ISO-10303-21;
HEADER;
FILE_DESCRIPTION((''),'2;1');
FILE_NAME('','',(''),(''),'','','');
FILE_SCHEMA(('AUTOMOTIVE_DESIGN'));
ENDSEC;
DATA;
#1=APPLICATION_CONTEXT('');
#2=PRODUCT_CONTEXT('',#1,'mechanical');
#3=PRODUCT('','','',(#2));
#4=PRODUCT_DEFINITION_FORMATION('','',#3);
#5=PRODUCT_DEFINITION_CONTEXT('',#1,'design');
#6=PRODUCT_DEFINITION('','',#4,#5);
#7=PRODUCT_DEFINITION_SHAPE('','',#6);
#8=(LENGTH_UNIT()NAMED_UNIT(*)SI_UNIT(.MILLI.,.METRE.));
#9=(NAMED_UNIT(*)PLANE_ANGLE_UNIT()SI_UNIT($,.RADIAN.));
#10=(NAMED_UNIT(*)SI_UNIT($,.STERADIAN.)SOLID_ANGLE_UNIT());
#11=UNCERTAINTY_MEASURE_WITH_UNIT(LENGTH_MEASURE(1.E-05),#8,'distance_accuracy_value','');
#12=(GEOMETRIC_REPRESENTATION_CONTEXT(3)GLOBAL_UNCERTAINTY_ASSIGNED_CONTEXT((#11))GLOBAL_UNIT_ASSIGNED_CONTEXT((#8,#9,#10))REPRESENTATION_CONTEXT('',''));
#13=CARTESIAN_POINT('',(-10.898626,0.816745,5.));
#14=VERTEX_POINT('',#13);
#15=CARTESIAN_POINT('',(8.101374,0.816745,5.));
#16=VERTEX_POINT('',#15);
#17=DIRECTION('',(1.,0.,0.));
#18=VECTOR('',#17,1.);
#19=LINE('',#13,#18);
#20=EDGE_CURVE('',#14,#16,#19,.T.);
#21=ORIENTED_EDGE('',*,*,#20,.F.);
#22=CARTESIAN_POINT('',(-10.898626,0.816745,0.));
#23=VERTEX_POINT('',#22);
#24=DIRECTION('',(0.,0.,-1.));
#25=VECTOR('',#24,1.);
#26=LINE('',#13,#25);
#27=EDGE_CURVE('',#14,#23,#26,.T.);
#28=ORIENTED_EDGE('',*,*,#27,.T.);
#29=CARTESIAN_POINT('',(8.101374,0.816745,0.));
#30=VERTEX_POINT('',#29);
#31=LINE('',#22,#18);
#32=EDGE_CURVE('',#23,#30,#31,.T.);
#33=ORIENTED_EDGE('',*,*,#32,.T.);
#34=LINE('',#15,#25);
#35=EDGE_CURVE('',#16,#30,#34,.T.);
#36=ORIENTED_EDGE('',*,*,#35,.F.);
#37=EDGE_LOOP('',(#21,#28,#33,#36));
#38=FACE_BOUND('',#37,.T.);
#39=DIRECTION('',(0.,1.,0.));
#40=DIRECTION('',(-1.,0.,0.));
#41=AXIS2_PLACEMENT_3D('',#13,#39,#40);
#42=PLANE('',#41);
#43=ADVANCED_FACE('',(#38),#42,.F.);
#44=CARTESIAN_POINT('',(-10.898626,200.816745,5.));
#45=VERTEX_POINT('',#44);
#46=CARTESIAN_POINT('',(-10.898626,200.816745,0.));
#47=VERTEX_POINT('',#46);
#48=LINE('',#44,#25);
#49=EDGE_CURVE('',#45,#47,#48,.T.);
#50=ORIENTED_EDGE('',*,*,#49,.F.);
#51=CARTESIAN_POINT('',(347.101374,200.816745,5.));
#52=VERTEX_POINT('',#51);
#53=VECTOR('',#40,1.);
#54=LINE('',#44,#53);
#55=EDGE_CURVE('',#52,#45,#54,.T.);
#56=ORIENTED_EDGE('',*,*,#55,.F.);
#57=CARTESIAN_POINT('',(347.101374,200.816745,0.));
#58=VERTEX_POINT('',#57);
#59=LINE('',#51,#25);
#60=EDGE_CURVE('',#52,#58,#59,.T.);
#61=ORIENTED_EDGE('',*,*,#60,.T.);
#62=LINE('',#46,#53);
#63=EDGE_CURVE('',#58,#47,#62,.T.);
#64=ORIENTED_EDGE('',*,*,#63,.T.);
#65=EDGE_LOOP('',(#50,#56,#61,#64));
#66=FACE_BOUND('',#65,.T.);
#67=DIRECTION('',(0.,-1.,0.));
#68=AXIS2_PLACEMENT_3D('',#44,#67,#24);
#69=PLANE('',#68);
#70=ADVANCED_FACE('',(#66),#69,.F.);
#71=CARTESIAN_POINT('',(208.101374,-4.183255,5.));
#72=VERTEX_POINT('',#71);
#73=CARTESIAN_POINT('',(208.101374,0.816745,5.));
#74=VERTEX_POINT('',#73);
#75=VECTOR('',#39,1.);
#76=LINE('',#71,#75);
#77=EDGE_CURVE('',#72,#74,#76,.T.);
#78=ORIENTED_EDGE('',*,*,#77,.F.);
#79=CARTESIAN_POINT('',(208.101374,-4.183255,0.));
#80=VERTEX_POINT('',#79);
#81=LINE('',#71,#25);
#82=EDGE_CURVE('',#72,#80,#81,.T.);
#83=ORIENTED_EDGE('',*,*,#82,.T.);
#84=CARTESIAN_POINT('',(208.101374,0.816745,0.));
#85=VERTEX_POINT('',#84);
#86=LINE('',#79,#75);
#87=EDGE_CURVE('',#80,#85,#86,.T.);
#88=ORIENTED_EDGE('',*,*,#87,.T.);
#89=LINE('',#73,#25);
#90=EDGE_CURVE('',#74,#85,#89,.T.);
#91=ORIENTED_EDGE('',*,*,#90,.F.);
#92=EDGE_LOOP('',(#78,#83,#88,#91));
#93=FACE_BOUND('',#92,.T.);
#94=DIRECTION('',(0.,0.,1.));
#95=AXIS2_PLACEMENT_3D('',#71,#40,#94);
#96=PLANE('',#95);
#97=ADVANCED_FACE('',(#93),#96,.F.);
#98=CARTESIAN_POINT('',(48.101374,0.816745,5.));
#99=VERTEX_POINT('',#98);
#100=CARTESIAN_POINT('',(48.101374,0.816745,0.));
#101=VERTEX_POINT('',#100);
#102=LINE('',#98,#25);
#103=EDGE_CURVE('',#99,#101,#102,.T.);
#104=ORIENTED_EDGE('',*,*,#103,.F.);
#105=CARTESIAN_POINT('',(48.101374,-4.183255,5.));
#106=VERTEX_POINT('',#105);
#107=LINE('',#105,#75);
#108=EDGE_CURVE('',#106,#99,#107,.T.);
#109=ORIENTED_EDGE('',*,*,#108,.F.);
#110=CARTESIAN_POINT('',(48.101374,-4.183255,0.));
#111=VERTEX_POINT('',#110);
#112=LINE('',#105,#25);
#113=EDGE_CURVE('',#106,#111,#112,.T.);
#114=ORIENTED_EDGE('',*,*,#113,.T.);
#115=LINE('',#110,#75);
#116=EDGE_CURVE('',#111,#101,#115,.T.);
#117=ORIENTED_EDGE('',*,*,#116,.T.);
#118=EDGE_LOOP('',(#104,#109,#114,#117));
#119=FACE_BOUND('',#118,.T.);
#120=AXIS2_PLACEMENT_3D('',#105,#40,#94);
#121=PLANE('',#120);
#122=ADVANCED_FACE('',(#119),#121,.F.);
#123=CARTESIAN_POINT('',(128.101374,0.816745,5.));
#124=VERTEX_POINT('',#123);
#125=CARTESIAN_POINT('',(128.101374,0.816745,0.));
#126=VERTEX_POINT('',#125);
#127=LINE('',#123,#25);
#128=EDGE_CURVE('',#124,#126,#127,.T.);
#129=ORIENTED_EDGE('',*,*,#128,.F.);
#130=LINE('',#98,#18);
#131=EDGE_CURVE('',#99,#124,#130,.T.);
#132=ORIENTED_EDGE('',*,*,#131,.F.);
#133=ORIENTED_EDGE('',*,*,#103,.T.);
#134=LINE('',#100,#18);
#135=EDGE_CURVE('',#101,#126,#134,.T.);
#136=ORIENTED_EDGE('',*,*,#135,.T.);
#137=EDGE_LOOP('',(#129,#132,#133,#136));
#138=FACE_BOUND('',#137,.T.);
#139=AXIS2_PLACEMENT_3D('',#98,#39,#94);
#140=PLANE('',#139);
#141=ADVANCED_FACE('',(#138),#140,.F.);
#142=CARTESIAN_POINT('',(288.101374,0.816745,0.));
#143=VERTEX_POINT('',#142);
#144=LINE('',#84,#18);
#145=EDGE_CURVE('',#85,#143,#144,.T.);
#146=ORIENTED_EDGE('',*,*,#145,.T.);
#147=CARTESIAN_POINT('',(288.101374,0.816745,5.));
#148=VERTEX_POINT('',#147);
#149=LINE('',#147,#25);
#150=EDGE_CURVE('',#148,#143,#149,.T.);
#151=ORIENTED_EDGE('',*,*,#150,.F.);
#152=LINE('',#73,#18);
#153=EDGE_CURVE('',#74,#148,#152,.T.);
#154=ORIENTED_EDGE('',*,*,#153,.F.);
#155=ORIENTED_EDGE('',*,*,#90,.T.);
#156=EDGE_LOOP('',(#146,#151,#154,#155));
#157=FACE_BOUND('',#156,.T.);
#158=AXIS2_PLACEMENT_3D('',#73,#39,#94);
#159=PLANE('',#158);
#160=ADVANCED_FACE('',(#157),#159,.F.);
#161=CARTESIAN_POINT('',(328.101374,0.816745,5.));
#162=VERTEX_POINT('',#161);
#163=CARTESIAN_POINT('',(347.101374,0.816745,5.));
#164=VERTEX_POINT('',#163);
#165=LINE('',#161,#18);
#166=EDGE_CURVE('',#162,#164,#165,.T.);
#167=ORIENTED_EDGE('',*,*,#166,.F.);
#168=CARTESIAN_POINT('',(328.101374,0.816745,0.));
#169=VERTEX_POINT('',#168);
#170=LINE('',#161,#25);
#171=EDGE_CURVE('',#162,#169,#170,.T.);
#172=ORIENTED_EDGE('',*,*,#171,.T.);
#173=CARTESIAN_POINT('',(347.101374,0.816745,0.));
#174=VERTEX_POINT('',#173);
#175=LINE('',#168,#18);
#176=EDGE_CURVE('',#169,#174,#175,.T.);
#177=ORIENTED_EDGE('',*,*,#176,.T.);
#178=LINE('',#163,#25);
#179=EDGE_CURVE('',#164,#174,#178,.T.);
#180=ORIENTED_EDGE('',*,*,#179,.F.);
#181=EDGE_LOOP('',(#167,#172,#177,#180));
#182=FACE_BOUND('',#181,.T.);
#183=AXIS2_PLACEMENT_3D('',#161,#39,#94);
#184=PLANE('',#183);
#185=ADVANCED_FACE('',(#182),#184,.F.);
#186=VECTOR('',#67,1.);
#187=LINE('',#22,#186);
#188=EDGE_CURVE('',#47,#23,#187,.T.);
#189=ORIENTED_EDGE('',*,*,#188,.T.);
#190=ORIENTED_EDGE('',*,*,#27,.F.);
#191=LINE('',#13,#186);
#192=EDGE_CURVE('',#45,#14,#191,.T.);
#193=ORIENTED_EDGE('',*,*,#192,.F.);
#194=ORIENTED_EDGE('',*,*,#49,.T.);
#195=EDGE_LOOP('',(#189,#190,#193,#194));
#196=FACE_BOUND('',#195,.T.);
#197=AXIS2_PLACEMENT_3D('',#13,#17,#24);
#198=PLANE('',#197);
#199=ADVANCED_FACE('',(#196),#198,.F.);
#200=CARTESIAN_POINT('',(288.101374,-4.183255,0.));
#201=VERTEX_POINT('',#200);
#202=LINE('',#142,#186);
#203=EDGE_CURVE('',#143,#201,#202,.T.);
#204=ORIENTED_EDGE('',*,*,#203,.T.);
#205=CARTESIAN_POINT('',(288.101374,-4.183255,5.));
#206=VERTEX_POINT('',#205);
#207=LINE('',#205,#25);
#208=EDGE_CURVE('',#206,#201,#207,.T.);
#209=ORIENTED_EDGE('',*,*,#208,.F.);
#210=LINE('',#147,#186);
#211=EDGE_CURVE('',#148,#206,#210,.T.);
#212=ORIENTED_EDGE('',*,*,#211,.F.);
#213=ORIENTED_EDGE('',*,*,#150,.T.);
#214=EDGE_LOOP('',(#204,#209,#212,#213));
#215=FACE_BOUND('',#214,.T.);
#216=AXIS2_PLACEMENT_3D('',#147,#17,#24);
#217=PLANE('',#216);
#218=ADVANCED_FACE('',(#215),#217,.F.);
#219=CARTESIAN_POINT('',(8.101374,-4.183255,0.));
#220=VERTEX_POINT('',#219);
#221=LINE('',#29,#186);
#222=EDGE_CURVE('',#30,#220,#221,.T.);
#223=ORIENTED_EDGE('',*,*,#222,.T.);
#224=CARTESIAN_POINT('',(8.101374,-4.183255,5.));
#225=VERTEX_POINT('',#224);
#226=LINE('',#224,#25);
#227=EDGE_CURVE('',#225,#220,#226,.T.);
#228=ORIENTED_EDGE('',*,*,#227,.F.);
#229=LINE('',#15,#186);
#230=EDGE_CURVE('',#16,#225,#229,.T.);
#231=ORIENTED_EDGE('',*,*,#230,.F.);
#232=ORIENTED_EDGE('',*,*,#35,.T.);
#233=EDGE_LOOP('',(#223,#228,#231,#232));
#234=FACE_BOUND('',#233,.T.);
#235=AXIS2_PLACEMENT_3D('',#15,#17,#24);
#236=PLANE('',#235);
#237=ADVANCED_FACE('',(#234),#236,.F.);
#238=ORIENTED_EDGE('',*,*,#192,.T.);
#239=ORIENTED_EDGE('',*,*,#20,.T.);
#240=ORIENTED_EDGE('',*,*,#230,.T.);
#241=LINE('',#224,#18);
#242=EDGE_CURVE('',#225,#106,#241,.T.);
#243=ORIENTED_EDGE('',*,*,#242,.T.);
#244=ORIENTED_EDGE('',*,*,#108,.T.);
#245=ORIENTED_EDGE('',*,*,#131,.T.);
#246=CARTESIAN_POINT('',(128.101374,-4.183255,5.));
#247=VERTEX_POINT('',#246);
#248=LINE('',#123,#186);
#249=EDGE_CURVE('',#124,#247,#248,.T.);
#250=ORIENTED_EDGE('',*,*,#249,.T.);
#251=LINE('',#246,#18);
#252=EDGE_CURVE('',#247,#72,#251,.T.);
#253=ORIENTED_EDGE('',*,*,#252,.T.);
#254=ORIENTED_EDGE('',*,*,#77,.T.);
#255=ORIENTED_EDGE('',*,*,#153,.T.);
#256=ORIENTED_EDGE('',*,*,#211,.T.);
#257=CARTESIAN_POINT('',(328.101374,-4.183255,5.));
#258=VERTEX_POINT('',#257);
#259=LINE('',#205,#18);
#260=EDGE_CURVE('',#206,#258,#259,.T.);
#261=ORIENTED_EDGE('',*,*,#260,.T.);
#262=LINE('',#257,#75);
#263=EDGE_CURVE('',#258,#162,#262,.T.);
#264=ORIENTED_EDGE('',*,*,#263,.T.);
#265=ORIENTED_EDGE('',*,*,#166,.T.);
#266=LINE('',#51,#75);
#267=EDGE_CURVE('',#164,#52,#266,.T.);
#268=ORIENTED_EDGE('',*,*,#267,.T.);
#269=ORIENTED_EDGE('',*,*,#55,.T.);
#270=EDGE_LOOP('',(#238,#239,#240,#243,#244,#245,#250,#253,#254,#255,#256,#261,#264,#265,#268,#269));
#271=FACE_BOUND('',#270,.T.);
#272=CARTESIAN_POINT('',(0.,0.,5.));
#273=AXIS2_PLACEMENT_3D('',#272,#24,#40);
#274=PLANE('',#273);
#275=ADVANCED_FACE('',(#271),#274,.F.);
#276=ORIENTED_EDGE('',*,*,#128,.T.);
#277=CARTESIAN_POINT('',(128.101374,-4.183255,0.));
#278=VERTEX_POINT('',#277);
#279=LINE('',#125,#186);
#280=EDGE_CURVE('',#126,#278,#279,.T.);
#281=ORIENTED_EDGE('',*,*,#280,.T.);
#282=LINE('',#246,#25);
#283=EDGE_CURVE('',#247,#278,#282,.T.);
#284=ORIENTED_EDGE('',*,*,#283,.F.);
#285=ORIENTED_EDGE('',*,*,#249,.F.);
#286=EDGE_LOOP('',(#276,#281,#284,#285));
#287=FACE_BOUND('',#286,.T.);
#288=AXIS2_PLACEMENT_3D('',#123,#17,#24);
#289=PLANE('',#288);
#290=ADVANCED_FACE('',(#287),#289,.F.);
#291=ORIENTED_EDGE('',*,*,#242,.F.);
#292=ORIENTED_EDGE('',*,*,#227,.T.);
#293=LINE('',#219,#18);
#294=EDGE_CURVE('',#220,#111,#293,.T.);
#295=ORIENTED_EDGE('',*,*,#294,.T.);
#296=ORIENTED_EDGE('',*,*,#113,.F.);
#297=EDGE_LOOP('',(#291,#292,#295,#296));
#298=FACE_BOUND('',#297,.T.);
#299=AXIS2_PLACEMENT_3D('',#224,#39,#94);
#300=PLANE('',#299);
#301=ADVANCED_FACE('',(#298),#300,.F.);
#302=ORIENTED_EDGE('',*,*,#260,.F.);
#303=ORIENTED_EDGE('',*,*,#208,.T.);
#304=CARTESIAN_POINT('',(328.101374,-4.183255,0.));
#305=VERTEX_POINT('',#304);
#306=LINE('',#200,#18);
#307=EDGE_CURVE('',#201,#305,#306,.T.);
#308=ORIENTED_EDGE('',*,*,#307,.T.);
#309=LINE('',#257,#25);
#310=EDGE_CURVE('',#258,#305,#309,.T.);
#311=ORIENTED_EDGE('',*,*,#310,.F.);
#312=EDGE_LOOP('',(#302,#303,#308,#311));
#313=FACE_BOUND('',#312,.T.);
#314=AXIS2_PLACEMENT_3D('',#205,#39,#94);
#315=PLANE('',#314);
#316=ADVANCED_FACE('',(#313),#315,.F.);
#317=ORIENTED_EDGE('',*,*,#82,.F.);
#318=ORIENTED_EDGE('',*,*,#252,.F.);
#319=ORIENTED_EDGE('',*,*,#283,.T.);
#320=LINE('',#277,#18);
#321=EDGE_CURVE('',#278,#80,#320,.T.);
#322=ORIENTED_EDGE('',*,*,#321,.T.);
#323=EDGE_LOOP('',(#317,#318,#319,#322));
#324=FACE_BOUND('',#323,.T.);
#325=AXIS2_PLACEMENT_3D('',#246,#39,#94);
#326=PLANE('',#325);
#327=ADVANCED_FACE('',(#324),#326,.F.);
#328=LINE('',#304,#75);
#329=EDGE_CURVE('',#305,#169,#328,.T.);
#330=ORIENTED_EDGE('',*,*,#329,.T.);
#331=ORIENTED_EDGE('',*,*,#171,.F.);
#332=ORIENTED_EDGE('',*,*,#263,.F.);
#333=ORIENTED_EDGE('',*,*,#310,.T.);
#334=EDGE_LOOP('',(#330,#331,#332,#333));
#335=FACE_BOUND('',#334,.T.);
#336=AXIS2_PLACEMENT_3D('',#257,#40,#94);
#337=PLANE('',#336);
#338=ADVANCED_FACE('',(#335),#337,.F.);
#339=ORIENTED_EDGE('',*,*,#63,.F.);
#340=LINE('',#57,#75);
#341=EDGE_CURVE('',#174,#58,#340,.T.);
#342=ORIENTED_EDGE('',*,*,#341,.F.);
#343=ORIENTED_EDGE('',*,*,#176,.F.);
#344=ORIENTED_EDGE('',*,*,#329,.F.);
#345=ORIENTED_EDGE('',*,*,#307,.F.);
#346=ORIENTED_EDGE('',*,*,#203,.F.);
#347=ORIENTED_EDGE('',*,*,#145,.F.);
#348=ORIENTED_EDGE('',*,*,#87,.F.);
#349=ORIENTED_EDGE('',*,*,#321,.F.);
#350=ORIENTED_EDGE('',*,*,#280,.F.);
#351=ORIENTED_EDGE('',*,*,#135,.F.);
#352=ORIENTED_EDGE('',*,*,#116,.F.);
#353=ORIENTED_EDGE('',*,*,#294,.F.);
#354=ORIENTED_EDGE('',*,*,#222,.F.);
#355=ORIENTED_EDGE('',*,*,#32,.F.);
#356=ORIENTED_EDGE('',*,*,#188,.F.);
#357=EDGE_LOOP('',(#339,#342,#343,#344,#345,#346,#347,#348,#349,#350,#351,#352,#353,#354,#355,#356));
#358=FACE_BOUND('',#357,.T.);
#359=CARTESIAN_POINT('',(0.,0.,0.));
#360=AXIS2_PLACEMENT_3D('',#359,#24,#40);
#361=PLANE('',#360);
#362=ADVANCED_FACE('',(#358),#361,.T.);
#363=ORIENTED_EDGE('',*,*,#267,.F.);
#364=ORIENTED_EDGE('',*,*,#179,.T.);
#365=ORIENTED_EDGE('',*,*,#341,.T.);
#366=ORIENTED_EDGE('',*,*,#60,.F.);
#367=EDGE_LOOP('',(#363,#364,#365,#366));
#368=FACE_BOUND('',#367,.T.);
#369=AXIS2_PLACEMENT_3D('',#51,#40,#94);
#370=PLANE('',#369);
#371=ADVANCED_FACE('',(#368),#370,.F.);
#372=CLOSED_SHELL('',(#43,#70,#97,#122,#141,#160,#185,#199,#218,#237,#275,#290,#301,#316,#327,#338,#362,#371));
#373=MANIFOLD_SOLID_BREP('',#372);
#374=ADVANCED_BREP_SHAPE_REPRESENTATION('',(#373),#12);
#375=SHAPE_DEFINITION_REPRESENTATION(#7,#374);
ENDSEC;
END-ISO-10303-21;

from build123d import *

# Parameters (mm, degrees)
BOSS_EXTRU_1_DEPTH = 5


with BuildPart() as part:
    # Esquisse1 → Boss.-Extru.1 (new body)
    with BuildSketch(Plane.XY):
        Polygon((-10.898625834, 0.816744863), (8.101374166, 0.816744863), (8.101374166, -4.183255137), (48.101374166, -4.183255137), (48.101374166, 0.816744863), (128.101374166, 0.816744863), (128.101374166, -4.183255137), (208.101374166, -4.183255137), (208.101374166, 0.816744863), (288.101374166, 0.816744863), (288.101374166, -4.183255137), (328.101374166, -4.183255137), (328.101374166, 0.816744863), (347.101374166, 0.816744863), (347.101374166, 200.816744863), (-10.898625834, 200.816744863), align=None)
    extrude(amount=BOSS_EXTRU_1_DEPTH)


solid = part.part
